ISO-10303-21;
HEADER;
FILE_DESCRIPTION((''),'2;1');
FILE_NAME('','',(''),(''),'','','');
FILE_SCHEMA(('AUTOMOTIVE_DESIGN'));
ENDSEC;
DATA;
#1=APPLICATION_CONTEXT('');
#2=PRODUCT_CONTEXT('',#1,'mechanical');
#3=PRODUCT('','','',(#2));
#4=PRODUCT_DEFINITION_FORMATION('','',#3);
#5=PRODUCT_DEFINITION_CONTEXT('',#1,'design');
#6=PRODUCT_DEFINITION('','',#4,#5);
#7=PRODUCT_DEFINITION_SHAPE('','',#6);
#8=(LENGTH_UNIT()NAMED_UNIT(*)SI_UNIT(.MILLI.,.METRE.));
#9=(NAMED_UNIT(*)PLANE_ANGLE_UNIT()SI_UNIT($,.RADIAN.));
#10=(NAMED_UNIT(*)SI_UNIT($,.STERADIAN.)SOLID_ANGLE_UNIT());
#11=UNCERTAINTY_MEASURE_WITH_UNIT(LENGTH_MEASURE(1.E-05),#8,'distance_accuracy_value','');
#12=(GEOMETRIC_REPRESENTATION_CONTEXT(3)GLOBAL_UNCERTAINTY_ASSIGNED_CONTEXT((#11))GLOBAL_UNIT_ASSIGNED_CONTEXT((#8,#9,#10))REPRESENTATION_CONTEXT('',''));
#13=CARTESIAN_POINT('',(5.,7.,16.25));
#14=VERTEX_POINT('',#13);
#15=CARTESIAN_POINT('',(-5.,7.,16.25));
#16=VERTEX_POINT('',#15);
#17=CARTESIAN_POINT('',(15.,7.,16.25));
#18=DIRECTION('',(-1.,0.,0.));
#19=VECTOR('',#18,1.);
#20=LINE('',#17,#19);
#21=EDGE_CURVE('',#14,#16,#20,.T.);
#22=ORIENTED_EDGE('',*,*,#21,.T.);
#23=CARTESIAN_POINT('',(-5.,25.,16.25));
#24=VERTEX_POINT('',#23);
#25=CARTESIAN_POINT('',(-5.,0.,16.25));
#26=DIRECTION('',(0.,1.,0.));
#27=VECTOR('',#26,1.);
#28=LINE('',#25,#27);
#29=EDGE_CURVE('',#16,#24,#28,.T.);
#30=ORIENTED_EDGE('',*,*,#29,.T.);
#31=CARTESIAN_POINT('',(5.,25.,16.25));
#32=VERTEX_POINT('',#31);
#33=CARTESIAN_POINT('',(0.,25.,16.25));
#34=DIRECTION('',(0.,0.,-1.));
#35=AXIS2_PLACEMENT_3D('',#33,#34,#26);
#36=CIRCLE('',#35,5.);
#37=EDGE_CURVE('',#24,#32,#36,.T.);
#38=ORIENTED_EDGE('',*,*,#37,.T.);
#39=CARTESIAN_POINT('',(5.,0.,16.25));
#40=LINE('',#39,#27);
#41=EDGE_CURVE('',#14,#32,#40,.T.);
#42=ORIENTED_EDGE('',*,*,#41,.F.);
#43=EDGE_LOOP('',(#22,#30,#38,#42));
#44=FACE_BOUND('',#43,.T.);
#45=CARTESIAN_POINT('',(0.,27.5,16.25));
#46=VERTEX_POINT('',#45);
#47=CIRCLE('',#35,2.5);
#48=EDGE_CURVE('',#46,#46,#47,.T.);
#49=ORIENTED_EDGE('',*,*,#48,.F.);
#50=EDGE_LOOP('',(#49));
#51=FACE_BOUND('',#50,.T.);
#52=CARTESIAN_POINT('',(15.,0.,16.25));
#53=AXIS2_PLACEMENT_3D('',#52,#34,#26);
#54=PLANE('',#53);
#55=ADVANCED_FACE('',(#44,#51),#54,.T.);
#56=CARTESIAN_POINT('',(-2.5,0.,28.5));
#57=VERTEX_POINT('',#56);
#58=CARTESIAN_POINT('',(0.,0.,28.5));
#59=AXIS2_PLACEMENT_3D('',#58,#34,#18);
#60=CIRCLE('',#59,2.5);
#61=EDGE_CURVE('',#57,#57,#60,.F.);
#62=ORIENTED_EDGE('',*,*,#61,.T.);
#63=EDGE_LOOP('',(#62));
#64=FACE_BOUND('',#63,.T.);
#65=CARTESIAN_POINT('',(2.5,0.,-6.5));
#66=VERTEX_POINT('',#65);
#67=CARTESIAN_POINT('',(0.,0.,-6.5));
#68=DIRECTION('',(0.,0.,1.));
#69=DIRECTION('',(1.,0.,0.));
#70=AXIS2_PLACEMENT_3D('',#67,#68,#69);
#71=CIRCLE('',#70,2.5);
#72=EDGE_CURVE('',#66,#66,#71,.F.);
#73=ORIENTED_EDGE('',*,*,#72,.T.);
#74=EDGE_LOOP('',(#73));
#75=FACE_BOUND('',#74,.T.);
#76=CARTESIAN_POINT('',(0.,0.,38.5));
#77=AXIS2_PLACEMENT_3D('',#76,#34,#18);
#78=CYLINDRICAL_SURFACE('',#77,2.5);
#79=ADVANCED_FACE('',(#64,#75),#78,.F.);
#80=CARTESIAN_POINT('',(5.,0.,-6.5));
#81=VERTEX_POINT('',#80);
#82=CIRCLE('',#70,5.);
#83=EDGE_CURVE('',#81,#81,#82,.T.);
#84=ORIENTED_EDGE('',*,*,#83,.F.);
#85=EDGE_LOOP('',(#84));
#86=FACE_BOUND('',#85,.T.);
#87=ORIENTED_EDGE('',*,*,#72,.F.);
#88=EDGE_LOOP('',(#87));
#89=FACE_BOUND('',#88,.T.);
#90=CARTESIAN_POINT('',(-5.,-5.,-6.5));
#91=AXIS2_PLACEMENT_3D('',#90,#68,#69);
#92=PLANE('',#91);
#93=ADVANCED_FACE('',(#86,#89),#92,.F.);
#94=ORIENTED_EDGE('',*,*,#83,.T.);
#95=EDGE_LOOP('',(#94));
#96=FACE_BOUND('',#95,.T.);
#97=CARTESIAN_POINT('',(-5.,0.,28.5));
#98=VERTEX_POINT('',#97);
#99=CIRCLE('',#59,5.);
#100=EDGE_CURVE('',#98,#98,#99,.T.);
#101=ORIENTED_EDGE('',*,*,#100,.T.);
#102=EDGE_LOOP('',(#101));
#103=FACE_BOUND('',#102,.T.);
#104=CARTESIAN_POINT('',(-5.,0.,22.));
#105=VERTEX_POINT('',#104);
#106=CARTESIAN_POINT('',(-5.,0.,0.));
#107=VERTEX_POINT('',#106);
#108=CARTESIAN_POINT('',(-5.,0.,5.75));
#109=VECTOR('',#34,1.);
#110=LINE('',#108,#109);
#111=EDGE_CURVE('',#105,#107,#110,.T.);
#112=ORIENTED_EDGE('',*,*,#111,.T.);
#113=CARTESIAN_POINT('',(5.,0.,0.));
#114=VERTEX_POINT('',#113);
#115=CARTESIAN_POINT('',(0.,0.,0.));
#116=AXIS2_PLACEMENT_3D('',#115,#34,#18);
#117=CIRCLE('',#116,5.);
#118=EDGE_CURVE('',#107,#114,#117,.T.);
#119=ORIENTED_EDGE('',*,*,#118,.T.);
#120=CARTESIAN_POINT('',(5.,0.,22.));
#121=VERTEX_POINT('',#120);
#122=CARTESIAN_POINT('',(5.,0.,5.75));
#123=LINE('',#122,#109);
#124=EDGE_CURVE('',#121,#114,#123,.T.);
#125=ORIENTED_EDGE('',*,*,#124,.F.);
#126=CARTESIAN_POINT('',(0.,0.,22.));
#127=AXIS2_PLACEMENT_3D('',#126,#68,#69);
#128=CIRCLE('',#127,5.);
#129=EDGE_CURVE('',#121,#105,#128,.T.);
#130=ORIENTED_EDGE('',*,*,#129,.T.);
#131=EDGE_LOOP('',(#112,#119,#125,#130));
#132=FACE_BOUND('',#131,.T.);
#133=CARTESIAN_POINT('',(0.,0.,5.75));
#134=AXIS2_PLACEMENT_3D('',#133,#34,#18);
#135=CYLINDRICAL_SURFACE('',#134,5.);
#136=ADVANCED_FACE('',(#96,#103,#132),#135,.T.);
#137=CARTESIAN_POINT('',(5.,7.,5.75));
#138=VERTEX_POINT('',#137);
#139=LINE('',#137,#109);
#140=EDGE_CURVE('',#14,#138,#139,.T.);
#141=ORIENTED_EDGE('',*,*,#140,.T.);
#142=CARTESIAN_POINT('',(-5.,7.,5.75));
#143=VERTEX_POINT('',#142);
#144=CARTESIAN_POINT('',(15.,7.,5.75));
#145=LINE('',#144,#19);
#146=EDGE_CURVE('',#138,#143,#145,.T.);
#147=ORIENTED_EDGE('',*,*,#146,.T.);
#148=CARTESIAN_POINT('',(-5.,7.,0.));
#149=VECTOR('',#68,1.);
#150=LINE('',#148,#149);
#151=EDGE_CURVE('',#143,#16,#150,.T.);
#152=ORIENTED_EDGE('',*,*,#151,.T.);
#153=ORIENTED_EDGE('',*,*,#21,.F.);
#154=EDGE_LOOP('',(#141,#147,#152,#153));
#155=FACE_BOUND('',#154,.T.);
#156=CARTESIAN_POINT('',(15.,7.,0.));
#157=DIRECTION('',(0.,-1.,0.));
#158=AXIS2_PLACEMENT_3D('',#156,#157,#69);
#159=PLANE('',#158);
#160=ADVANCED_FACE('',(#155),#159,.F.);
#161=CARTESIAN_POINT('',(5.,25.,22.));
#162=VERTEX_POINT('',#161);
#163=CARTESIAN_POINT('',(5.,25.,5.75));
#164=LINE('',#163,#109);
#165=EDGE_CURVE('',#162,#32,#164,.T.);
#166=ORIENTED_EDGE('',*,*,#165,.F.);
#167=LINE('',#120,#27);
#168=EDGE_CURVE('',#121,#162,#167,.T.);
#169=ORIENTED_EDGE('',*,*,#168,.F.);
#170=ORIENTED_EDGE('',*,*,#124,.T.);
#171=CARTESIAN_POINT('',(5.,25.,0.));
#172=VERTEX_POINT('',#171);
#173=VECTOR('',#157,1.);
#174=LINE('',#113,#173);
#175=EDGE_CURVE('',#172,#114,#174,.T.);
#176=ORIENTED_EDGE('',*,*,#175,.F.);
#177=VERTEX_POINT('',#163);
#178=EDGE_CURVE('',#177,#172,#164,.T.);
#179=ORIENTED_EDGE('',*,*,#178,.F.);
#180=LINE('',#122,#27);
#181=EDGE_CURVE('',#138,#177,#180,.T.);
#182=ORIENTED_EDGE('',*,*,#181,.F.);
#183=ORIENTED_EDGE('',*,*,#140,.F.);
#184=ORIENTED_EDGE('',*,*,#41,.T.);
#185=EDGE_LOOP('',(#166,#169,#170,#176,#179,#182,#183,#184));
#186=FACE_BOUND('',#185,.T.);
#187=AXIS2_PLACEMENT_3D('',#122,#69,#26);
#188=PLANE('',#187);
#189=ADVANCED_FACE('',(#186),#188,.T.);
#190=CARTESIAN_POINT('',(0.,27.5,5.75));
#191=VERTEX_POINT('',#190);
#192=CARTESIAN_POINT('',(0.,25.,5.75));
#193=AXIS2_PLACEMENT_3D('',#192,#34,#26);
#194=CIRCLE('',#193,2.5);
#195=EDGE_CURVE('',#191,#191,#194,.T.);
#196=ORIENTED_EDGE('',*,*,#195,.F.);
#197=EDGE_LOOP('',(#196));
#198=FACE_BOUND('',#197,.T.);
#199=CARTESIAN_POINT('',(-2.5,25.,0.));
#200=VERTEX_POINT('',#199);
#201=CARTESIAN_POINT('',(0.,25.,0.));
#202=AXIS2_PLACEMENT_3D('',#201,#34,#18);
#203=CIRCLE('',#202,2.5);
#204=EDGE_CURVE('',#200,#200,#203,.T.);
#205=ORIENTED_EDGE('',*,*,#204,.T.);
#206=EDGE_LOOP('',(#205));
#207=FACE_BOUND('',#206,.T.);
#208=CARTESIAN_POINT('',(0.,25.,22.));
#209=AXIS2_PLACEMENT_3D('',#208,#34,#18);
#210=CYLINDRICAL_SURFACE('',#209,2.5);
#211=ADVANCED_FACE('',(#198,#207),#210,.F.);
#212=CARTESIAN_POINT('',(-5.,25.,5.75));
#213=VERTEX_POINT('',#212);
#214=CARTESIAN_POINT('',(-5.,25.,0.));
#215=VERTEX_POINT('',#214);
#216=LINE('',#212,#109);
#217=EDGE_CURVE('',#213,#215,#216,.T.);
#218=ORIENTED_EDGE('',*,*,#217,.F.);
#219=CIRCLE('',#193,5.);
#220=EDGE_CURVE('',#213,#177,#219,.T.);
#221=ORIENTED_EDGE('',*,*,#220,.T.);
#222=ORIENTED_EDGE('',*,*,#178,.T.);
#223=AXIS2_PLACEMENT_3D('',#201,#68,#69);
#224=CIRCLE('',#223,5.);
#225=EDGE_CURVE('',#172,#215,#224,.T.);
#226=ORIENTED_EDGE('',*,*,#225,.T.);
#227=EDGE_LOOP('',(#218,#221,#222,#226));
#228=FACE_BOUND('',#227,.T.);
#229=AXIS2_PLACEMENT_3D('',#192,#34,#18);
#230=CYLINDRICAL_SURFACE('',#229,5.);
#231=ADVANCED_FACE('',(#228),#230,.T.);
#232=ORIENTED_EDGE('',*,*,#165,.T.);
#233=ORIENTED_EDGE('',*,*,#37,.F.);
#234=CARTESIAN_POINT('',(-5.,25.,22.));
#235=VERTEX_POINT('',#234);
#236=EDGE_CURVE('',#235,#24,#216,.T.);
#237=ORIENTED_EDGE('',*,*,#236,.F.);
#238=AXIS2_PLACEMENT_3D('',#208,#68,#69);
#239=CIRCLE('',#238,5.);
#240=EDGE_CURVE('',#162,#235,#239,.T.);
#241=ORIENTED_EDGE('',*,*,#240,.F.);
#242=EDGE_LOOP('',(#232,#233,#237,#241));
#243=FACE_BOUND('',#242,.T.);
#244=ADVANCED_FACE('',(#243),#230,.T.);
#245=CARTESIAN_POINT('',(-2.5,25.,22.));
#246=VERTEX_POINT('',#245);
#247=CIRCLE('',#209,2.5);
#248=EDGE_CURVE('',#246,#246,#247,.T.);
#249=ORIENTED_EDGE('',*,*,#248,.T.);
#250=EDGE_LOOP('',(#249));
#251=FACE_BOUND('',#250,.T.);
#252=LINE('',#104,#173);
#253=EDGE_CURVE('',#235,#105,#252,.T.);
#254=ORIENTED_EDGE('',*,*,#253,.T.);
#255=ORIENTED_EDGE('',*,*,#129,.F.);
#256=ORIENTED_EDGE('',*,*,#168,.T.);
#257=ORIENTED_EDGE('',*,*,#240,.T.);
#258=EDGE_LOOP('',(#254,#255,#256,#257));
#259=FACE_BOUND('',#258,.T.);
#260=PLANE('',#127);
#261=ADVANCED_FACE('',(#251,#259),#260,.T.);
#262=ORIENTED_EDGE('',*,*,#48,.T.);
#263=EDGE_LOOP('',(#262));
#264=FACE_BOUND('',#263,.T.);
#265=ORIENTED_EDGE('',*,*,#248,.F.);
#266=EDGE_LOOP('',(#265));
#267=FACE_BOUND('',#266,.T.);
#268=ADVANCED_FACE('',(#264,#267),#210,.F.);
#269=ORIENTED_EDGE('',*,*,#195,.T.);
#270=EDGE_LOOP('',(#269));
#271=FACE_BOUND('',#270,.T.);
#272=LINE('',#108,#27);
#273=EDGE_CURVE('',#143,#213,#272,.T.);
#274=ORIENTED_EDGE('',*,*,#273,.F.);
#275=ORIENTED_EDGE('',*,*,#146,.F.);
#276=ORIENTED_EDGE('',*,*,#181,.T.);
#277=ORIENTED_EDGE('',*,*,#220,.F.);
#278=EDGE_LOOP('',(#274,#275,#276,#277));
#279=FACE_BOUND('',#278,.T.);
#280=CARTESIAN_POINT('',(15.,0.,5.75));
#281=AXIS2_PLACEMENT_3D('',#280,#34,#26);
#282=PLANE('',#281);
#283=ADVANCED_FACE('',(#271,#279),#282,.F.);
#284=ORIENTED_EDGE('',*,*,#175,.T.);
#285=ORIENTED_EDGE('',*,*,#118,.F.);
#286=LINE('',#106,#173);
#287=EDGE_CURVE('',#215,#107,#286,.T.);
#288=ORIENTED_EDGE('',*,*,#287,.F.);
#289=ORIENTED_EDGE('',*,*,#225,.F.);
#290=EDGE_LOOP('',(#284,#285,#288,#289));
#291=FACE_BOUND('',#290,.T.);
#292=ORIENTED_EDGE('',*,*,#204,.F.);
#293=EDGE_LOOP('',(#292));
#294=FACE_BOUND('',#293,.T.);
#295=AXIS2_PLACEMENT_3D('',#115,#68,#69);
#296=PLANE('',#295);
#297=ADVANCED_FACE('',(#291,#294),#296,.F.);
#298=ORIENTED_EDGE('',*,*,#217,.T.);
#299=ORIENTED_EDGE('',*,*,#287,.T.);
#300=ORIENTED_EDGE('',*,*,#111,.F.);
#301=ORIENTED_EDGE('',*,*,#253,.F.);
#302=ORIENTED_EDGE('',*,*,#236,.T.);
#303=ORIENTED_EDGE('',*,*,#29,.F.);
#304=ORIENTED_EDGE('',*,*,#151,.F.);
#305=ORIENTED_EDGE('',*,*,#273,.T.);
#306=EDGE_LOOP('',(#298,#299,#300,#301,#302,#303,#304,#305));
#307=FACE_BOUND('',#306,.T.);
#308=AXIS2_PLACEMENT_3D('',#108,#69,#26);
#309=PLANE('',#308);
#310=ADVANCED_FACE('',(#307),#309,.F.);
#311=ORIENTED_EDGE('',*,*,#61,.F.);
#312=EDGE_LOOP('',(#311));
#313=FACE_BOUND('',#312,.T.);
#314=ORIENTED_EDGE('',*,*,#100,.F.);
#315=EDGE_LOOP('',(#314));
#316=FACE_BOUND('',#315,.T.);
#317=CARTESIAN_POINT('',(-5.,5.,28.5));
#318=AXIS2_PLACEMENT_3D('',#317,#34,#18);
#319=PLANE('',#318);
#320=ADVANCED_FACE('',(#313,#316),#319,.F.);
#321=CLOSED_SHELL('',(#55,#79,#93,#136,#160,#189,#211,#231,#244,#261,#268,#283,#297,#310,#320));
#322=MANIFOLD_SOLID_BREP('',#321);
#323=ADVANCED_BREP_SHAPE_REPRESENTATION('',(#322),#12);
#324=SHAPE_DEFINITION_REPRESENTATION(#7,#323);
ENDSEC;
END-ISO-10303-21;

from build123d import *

# Parameters (mm, degrees)
BOSS_EXTRUDE1_DEPTH = 5.75
SKETCH2_R           = 2.5
BOSS_EXTRUDE2_DEPTH = 10.5
BOSS_EXTRUDE3_DEPTH = 16.25
SKETCH4_R           = 5
SKETCH4_R_2         = 2.5
BOSS_EXTRUDE5_DEPTH = 8.5
SKETCH5_R           = 2.5
BOSS_EXTRUDE6_DEPTH = 16.25
BOSS_EXTRUDE7_START = 8.5
SKETCH6_R           = 5
BOSS_EXTRUDE7_DEPTH = 8.5
BOSS_EXTRUDE8_START = 8
SKETCH7_R           = 2.5
BOSS_EXTRUDE8_DEPTH = 8
SKETCH8_W           = 10.5
SKETCH8_H           = 5
CUT_EXTRUDE2_DEPTH  = 20
SKETCH9_R           = 2.5
BOSS_EXTRUDE9_DEPTH = 22
SKETCH10_R          = 2.5
CUT_EXTRUDE3_DEPTH  = 55
CUT_EXTRUDE4_START  = -22
CUT_EXTRUDE4_DEPTH  = 22
SKETCH12_W          = 1
SKETCH12_H          = 5
CUT_EXTRUDE5_DEPTH  = 10
SKETCH13_W          = 1
SKETCH13_H          = 10.672821352
SKETCH13_H_2        = 10
CUT_EXTRUDE7_DEPTH  = 10


with BuildPart() as part:
    # Sketch1 → Boss-Extrude1 (new body)
    with BuildSketch(Plane.XY):
        with BuildLine():
            ThreePointArc((-5, 0), (0, -5), (5, 0))
            Line((5, 0), (5, 25))
            ThreePointArc((5, 25), (0, 30), (-5, 25))
            Line((-5, 25), (-5, 0))
        make_face()
    extrude(amount=BOSS_EXTRUDE1_DEPTH)

    # Sketch2 → Boss-Extrude2 (add)
    with BuildSketch(Plane.XY.offset(5.75)):
        with Locations(Location((0, 25.008620985, 0), (0, 0, 180))):
            Circle(SKETCH2_R)
    extrude(amount=BOSS_EXTRUDE2_DEPTH)

    # Sketch3 → Boss-Extrude3 (add)
    with BuildSketch(Plane.XY.offset(5.75)):
        with BuildLine():
            Line((5, 0), (5, 25))
            ThreePointArc((5, 25), (0, 30), (-5, 25))
            Line((-5, 25), (-5, 0))
            ThreePointArc((-5, 0), (0, -5), (5, 0))
        make_face()
    extrude(amount=BOSS_EXTRUDE3_DEPTH)

    # Sketch4 → Boss-Extrude5 (add)
    with BuildSketch(Plane.XY.offset(22)):
        Circle(SKETCH4_R)
        Circle(SKETCH4_R_2, mode=Mode.SUBTRACT)
    extrude(amount=BOSS_EXTRUDE5_DEPTH)

    # Sketch5 → Boss-Extrude6 (add)
    with BuildSketch(Plane.XY.offset(22)):
        Circle(SKETCH5_R)
    extrude(amount=BOSS_EXTRUDE6_DEPTH)

    # Sketch6 → Boss-Extrude7 (add)
    with BuildSketch(Plane(origin=(0, 0, 0), x_dir=(-1, 0, 0), z_dir=(0, 0, -1)).offset(BOSS_EXTRUDE7_START)):
        Circle(SKETCH6_R)
    extrude(amount=-BOSS_EXTRUDE7_DEPTH)

    # Sketch7 → Boss-Extrude8 (add)
    with BuildSketch(Plane(origin=(0, 0, -8.5), x_dir=(-1, 0, 0), z_dir=(0, 0, -1)).offset(BOSS_EXTRUDE8_START)):
        with Locations(Location((0, 0, 0), (0, 0, 180))):
            Circle(SKETCH7_R)
    extrude(amount=-BOSS_EXTRUDE8_DEPTH)

    # Sketch8 → Cut-Extrude2 (cut)
    with BuildSketch(Plane.ZY.offset(5)):
        Polygon((16.25, 25), (5.75, 25), (5.75, 7.741676668), (5.75, 7), (16.25, 7), (16.25, 7.741676668), align=None)
        with Locations((11, 27.5)):
            Rectangle(SKETCH8_W, SKETCH8_H)
    extrude(amount=-CUT_EXTRUDE2_DEPTH, mode=Mode.SUBTRACT)

    # Sketch9 → Boss-Extrude9 (add)
    with BuildSketch(Plane.XY.offset(22)):
        with Locations(Location((0, 25, 0), (0, 0, 90))):
            Circle(SKETCH9_R)
    extrude(amount=-BOSS_EXTRUDE9_DEPTH)

    # Sketch10 → Cut-Extrude3 (cut)
    with BuildSketch(Plane(origin=(0, 0, -16.5), x_dir=(-1, 0, 0), z_dir=(0, 0, -1))):
        Circle(SKETCH10_R)
    extrude(amount=-CUT_EXTRUDE3_DEPTH, mode=Mode.SUBTRACT)

    # Sketch11 → Cut-Extrude4 (cut)
    with BuildSketch(Plane(origin=(0, 0, 0), x_dir=(-1, 0, 0), z_dir=(0, 0, -1)).offset(CUT_EXTRUDE4_START)):
        with BuildLine():
            ThreePointArc((-2.5, 25), (0, 22.5), (2.5, 25))
            Line((2.5, 25), (-2.5, 25))
        make_face()
        with BuildLine():
            Line((-2.5, 25), (2.5, 25))
            ThreePointArc((2.5, 25), (0, 27.5), (-2.5, 25))
        make_face()
    extrude(amount=CUT_EXTRUDE4_DEPTH, mode=Mode.SUBTRACT)

    # Sketch12 → Cut-Extrude5 (cut, symmetric)
    with BuildSketch(Plane(origin=(0, 0, 0), x_dir=(0, 0, -1), z_dir=(1, 0, 0))):
        with Locations((8, 2.5)):
            Rectangle(SKETCH12_W, SKETCH12_H)
        with Locations((8, -2.5)):
            Rectangle(SKETCH12_W, SKETCH12_H)
        with Locations((-30, 2.5)):
            Rectangle(SKETCH12_W, SKETCH12_H)
        with Locations((-30, -2.5)):
            Rectangle(SKETCH12_W, SKETCH12_H)
    extrude(amount=CUT_EXTRUDE5_DEPTH, both=True, mode=Mode.SUBTRACT)

    # Sketch13 → Cut-Extrude7 (cut)
    with BuildSketch(Plane(origin=(5, 0, 0), x_dir=(0, 0, -1), z_dir=(1, 0, 0))):
        with Locations((7, 0.336410676)):
            Rectangle(SKETCH13_W, SKETCH13_H)
        with Locations((-29, 0)):
            Rectangle(SKETCH13_W, SKETCH13_H_2)
    extrude(amount=-CUT_EXTRUDE7_DEPTH, mode=Mode.SUBTRACT)


solid = part.part
